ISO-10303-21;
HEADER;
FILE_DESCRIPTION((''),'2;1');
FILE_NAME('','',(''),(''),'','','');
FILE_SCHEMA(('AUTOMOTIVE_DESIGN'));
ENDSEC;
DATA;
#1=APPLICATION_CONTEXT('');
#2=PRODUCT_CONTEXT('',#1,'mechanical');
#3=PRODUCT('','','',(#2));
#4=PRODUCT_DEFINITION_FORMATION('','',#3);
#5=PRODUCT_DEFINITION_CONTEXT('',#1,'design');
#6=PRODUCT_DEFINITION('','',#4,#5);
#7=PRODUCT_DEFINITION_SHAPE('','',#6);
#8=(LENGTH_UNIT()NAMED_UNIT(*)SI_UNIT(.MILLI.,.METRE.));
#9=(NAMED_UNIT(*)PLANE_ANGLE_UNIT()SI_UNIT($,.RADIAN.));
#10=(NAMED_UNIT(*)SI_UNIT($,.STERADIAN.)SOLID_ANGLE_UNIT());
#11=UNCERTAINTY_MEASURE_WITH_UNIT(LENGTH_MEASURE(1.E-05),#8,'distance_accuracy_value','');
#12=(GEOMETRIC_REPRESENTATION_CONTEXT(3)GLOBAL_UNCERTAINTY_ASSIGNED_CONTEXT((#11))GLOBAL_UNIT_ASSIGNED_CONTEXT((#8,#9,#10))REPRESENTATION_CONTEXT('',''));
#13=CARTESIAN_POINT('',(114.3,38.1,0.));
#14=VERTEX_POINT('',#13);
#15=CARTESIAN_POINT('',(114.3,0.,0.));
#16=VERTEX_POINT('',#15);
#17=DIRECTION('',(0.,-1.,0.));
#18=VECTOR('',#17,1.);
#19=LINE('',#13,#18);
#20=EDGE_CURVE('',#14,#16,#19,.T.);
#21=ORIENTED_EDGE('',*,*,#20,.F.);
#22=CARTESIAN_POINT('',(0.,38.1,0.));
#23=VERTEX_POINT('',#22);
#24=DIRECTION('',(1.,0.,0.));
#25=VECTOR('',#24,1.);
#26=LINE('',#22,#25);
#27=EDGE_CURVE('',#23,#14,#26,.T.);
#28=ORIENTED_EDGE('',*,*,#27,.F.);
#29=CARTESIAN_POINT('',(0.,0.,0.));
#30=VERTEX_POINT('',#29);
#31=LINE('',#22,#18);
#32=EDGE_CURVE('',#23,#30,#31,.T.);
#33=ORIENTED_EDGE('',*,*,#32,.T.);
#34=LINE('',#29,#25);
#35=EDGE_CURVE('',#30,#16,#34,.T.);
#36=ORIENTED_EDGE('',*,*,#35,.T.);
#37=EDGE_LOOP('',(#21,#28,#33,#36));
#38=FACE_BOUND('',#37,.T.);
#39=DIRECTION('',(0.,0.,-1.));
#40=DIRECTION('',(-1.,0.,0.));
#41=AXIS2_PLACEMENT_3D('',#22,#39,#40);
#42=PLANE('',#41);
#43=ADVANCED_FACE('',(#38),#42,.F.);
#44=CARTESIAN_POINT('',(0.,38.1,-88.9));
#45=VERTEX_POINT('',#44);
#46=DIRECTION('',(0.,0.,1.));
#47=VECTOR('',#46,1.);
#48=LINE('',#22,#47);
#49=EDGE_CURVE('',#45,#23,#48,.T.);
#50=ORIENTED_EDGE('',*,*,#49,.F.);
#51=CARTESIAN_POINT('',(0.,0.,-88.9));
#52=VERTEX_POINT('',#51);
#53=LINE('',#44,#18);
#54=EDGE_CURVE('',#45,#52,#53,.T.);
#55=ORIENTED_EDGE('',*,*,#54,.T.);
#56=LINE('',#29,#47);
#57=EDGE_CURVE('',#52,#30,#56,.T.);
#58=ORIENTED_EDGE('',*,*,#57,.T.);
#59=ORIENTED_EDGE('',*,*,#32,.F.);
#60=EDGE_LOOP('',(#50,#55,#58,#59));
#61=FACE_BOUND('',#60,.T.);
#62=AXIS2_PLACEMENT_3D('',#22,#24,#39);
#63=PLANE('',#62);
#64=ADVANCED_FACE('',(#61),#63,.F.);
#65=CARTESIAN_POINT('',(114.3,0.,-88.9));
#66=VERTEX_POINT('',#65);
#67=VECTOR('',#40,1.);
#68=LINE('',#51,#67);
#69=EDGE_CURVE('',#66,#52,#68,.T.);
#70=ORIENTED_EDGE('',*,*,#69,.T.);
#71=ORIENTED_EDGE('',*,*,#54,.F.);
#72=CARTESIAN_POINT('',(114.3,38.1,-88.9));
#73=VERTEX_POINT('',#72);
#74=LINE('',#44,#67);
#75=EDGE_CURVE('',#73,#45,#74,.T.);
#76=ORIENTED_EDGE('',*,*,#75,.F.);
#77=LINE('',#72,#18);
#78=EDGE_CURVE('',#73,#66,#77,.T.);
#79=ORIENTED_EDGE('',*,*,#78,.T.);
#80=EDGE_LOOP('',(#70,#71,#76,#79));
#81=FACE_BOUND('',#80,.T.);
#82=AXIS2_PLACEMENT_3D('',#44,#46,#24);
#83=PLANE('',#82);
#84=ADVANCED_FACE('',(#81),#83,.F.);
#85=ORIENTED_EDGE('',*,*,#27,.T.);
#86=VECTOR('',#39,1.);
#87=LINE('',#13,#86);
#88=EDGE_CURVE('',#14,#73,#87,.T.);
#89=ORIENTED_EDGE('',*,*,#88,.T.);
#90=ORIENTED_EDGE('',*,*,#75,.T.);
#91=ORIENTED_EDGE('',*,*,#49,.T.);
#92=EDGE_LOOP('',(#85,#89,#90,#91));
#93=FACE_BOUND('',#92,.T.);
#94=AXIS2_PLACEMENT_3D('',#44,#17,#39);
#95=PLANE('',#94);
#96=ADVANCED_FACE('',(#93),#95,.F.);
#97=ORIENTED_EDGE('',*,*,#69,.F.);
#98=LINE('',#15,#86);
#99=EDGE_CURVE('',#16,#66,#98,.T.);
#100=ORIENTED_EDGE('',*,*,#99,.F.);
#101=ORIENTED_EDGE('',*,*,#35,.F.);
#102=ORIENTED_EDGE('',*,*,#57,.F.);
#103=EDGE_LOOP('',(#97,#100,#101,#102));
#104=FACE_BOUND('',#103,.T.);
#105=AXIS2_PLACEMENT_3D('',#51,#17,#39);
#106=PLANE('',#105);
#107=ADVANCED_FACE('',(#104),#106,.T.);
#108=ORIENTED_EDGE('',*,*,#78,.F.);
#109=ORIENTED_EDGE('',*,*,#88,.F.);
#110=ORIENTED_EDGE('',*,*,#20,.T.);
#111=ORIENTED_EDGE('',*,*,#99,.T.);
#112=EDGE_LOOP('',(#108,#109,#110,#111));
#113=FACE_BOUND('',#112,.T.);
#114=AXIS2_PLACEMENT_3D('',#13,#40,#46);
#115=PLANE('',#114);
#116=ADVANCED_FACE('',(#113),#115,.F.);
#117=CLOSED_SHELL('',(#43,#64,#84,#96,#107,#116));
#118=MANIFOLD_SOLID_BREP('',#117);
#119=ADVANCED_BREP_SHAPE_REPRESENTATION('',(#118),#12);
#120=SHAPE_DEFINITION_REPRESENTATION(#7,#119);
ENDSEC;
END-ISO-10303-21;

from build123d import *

# Parameters (mm, degrees)
SKETCH1_W           = 114.3
SKETCH1_H           = 88.9
BOSS_EXTRUDE1_DEPTH = 38.1


with BuildPart() as part:
    # Sketch1 → Boss-Extrude1 (new body)
    with BuildSketch(Plane(origin=(0, 0, 0), x_dir=(1, 0, 0), z_dir=(0, 1, 0))):
        with Locations((57.15, 44.45)):
            Rectangle(SKETCH1_W, SKETCH1_H)
    extrude(amount=BOSS_EXTRUDE1_DEPTH)


solid = part.part
